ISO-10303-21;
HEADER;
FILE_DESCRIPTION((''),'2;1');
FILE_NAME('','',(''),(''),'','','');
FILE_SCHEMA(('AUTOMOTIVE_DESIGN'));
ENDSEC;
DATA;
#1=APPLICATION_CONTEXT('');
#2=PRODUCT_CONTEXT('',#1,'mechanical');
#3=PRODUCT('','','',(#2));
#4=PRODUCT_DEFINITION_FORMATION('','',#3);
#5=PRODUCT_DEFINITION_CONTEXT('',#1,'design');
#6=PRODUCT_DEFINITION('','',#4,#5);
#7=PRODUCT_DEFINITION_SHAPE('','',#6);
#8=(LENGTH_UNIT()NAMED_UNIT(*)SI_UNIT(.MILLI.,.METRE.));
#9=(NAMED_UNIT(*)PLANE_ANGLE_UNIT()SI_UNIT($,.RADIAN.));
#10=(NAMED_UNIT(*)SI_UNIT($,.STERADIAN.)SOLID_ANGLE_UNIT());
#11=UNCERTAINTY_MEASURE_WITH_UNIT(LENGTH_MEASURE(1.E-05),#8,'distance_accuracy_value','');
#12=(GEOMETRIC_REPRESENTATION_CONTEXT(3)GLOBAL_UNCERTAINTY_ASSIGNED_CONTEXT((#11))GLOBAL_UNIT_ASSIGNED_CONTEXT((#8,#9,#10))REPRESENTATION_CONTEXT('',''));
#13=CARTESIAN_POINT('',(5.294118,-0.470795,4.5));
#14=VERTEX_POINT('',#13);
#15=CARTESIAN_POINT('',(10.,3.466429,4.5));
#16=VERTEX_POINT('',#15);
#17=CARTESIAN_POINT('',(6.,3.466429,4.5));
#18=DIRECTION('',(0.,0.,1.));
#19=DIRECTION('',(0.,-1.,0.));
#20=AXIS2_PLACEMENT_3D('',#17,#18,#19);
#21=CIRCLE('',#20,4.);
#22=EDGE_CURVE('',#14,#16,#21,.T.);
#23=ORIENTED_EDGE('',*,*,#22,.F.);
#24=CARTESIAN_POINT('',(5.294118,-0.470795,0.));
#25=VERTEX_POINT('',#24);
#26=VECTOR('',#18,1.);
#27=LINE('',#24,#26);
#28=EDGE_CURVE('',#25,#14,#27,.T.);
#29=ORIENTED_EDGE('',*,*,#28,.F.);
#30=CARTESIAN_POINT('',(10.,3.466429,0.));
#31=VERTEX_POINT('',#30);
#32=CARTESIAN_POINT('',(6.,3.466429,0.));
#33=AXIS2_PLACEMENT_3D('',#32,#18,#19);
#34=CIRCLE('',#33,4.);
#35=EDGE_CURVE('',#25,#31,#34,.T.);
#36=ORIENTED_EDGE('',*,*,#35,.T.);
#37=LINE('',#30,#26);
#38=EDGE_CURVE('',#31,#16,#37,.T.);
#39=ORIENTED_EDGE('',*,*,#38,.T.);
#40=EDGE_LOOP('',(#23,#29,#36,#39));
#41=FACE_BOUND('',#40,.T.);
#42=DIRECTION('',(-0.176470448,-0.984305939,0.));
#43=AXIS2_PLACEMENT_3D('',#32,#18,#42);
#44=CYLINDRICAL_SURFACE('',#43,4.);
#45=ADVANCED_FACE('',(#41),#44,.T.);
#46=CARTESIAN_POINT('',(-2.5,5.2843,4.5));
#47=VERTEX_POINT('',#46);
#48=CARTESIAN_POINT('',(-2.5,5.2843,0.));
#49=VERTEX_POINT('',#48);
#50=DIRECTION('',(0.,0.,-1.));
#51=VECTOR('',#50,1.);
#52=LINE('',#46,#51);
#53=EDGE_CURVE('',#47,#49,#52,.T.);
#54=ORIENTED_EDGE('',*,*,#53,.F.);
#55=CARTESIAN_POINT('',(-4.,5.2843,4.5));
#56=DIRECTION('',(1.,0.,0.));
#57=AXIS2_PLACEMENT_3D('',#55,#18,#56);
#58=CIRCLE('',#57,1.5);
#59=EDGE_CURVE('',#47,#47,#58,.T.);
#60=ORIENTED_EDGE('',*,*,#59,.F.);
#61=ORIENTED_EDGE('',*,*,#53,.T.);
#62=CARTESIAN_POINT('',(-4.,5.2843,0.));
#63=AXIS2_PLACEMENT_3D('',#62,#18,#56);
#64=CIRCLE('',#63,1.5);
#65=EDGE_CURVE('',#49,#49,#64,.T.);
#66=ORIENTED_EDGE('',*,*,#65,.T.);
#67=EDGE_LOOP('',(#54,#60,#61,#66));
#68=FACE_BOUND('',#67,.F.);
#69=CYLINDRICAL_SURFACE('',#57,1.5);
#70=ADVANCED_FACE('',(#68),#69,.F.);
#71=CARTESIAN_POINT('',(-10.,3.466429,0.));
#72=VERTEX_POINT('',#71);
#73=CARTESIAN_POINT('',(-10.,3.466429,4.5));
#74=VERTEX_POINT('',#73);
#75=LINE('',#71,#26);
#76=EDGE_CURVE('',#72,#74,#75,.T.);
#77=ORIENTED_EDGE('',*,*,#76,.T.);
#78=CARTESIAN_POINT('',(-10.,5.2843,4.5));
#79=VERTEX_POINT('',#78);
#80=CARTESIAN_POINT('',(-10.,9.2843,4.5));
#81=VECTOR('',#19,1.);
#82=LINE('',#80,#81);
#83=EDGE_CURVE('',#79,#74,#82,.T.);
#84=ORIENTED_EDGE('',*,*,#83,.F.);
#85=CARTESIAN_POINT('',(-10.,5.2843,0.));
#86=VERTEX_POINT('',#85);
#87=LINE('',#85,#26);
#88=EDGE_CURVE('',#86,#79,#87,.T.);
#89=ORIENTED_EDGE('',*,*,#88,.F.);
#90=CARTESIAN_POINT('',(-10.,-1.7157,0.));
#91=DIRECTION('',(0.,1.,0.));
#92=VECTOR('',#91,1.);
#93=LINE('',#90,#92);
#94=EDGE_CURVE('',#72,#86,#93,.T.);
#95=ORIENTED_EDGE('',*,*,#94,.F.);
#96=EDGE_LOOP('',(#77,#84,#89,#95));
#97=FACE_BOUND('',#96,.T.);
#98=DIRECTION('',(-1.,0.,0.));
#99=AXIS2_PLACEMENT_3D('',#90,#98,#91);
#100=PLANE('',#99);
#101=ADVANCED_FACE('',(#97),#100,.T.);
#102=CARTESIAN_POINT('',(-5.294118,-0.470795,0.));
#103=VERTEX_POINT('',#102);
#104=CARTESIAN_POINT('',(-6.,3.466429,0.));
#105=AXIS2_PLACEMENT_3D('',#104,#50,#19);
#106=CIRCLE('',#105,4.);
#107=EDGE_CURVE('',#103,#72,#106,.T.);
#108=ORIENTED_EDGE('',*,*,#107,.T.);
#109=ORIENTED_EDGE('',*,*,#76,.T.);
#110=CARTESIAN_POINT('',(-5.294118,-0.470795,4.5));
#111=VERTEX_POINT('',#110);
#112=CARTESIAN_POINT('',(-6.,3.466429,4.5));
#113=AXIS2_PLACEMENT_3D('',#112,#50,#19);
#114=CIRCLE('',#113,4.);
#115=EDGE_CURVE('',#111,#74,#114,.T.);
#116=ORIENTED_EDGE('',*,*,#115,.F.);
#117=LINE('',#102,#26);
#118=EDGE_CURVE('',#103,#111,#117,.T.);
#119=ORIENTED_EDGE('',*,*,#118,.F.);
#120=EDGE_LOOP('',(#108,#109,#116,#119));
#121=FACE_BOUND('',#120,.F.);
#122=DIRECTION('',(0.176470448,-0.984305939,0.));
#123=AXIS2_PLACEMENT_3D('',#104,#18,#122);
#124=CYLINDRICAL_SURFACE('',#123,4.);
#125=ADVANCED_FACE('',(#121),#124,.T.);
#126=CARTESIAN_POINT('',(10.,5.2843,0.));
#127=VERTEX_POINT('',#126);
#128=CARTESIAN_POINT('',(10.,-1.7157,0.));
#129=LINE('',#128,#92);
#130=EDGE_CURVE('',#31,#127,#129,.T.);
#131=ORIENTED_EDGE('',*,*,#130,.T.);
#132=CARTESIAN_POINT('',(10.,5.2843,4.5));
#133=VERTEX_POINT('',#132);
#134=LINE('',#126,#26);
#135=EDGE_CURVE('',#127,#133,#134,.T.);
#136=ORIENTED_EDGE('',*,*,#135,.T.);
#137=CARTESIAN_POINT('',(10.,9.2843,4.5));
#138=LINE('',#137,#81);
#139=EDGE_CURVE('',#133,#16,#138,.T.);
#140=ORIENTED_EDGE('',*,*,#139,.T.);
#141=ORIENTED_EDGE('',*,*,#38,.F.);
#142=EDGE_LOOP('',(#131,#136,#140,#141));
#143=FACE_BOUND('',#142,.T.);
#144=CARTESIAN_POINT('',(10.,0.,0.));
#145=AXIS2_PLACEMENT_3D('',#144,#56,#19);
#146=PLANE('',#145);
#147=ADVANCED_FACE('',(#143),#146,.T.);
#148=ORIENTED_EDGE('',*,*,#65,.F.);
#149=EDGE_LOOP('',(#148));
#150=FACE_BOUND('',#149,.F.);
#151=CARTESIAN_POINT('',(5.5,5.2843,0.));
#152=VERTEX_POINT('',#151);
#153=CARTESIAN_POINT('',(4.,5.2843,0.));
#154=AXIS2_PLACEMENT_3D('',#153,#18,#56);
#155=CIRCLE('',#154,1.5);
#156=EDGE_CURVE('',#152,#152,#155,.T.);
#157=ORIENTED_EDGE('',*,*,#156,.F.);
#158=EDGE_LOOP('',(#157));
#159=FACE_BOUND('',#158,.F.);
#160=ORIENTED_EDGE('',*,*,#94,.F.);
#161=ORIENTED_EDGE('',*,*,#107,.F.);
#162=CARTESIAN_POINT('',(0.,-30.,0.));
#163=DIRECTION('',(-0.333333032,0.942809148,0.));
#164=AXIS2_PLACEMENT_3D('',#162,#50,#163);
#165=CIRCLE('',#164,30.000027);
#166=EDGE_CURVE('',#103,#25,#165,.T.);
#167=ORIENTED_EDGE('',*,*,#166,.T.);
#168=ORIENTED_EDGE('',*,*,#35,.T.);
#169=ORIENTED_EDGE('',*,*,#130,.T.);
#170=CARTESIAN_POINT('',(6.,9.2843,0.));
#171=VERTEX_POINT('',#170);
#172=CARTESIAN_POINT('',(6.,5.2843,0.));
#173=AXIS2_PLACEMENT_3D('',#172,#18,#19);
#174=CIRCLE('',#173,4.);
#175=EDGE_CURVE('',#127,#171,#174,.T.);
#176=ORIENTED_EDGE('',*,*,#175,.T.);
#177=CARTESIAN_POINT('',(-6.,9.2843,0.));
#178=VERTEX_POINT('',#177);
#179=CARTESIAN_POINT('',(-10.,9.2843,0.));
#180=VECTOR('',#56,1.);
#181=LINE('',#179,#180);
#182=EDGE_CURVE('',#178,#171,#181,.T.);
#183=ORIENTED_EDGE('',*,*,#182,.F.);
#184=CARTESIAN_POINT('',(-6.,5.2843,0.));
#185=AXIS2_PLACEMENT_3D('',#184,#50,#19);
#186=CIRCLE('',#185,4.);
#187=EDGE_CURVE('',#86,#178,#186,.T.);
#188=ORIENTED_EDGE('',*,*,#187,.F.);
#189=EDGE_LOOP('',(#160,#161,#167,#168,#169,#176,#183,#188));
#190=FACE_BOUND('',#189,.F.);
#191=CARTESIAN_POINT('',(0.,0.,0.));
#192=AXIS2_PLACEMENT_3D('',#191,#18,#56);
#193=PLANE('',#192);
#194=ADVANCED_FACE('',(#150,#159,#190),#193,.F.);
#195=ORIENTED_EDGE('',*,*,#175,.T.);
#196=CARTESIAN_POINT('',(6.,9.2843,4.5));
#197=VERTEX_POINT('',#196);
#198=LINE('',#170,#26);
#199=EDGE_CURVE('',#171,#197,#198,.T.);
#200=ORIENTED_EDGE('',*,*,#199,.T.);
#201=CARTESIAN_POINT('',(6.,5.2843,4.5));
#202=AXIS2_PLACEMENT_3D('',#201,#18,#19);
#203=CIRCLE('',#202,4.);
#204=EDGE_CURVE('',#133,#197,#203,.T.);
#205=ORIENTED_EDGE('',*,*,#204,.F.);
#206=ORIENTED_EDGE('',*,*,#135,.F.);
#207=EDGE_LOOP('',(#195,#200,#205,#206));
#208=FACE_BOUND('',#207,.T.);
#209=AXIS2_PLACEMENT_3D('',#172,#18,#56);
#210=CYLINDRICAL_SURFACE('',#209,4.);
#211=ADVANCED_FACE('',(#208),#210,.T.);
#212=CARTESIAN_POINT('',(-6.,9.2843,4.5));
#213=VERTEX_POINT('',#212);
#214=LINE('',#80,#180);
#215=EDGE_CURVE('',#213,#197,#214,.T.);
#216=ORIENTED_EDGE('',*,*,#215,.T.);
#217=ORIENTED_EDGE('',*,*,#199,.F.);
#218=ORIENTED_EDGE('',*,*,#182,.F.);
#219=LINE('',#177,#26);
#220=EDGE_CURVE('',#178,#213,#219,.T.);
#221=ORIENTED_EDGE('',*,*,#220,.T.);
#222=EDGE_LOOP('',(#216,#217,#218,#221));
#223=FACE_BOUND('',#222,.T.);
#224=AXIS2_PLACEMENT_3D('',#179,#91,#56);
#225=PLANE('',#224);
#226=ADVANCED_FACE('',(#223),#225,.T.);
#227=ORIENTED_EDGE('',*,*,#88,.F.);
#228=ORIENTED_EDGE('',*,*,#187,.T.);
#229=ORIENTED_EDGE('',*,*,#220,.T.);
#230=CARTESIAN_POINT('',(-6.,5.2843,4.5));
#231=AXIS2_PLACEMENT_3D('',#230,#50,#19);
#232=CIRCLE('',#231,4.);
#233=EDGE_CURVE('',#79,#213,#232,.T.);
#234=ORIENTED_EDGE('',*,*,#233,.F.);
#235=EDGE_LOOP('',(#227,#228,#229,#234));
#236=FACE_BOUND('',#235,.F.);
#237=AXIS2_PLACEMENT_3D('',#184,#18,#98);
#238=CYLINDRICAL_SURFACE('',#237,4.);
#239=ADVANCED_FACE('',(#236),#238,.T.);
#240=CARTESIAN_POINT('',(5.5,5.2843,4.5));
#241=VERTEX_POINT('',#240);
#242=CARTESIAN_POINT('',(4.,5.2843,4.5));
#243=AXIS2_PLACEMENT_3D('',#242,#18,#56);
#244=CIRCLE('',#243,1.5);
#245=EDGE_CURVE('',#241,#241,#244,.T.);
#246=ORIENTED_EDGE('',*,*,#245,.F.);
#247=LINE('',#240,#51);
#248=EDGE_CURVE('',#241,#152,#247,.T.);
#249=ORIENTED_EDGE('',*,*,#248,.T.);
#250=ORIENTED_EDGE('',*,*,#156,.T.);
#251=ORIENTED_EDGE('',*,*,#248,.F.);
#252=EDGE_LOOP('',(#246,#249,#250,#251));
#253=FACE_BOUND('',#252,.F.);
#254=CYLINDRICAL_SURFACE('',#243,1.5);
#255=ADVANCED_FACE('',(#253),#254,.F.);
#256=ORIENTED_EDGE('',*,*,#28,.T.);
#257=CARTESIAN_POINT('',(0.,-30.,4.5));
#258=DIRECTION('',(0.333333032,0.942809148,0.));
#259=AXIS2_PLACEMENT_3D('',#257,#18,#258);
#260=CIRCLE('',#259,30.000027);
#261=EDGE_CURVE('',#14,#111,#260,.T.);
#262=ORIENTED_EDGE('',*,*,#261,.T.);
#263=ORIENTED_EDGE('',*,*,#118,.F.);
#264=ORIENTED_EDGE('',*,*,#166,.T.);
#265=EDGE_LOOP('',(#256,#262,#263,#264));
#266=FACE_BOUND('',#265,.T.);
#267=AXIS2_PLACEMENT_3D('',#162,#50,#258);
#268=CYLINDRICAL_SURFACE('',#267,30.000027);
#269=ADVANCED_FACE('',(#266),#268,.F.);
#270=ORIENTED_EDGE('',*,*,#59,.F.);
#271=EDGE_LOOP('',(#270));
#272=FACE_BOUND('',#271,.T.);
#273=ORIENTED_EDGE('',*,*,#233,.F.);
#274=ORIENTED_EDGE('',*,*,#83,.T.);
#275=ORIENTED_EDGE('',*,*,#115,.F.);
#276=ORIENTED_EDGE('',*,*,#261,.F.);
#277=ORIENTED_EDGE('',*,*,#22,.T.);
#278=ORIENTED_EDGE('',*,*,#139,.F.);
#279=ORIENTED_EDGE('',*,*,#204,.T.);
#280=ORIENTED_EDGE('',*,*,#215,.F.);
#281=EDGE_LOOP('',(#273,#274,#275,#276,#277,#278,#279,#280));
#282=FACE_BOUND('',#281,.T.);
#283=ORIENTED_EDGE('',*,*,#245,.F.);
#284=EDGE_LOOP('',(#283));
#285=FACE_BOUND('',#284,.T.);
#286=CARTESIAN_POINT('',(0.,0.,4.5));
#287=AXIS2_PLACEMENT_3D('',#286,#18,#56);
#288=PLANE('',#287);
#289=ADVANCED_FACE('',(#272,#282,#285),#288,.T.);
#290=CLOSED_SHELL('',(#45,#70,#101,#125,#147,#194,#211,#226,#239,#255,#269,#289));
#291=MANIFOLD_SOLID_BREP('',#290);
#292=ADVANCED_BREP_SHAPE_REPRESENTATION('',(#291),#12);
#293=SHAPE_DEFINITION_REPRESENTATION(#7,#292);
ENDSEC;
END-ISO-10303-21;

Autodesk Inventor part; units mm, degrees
ref_plane "YZ Plane" through (0, 0, 0) normal (1, 0, 0) x (0, 1, 0)
ref_plane "XZ Plane" through (0, 0, 0) normal (0, 1, 0) x (-1, 0, 0)
ref_plane "XY Plane" through (0, 0, 0) normal (0, 0, 1) x (1, 0, 0)
sketch "スケッチ1" plane through (0, 0, 0) normal (0, 0, 1) x (1, 0, 0)
  arc A0 (10, -1.7157) -> (-10, -1.7157) centre (0, -30) ccw
  line L0 (-10, -1.7157) -> (-10, 9.2843)
  line L1 (-10, 9.2843) -> (10, 9.2843)
  line L2 (10, 9.2843) -> (10, -1.7157)
  line L3 (-14, 0) -> (14, 0) projected
  point P0 (0, 0)
  point P1 (0, 0)
  dimension "d0" = 20
  dimension "d1" = 11
  dimension "d2" = 30
extrude "押し出し1" add sketch "スケッチ1" along normal blind 4.5
fillet "フィレット1" radius 4 4 edges at (-10, 9.2843, 2.25) (10, 9.2843, 2.25) (10, -1.7157, 2.25) (-10, -1.7157, 2.25)
sketch "スケッチ2" plane through (0, 0, 4.5) normal (0, 0, 1) x (1, 0, 0)
  circle A0 centre (-4, 5.2843) radius 1.5
  circle A1 centre (4, 5.2843) radius 1.5
  line L0 (6, 9.2843) -> (-6, 9.2843) projected
  point P0 (0, 0)
  dimension "d7" = 3
  dimension "d8" = 3
  dimension "d9" = 4
  dimension "d10" = 4
  dimension "d11" = 4
  dimension "d12" = 4
extrude "押し出し2" cut sketch "スケッチ2" against normal blind 7.5
equation "\"d8\" = d7"
equation "\"d12\" = d11"
properties part number "ruber"
